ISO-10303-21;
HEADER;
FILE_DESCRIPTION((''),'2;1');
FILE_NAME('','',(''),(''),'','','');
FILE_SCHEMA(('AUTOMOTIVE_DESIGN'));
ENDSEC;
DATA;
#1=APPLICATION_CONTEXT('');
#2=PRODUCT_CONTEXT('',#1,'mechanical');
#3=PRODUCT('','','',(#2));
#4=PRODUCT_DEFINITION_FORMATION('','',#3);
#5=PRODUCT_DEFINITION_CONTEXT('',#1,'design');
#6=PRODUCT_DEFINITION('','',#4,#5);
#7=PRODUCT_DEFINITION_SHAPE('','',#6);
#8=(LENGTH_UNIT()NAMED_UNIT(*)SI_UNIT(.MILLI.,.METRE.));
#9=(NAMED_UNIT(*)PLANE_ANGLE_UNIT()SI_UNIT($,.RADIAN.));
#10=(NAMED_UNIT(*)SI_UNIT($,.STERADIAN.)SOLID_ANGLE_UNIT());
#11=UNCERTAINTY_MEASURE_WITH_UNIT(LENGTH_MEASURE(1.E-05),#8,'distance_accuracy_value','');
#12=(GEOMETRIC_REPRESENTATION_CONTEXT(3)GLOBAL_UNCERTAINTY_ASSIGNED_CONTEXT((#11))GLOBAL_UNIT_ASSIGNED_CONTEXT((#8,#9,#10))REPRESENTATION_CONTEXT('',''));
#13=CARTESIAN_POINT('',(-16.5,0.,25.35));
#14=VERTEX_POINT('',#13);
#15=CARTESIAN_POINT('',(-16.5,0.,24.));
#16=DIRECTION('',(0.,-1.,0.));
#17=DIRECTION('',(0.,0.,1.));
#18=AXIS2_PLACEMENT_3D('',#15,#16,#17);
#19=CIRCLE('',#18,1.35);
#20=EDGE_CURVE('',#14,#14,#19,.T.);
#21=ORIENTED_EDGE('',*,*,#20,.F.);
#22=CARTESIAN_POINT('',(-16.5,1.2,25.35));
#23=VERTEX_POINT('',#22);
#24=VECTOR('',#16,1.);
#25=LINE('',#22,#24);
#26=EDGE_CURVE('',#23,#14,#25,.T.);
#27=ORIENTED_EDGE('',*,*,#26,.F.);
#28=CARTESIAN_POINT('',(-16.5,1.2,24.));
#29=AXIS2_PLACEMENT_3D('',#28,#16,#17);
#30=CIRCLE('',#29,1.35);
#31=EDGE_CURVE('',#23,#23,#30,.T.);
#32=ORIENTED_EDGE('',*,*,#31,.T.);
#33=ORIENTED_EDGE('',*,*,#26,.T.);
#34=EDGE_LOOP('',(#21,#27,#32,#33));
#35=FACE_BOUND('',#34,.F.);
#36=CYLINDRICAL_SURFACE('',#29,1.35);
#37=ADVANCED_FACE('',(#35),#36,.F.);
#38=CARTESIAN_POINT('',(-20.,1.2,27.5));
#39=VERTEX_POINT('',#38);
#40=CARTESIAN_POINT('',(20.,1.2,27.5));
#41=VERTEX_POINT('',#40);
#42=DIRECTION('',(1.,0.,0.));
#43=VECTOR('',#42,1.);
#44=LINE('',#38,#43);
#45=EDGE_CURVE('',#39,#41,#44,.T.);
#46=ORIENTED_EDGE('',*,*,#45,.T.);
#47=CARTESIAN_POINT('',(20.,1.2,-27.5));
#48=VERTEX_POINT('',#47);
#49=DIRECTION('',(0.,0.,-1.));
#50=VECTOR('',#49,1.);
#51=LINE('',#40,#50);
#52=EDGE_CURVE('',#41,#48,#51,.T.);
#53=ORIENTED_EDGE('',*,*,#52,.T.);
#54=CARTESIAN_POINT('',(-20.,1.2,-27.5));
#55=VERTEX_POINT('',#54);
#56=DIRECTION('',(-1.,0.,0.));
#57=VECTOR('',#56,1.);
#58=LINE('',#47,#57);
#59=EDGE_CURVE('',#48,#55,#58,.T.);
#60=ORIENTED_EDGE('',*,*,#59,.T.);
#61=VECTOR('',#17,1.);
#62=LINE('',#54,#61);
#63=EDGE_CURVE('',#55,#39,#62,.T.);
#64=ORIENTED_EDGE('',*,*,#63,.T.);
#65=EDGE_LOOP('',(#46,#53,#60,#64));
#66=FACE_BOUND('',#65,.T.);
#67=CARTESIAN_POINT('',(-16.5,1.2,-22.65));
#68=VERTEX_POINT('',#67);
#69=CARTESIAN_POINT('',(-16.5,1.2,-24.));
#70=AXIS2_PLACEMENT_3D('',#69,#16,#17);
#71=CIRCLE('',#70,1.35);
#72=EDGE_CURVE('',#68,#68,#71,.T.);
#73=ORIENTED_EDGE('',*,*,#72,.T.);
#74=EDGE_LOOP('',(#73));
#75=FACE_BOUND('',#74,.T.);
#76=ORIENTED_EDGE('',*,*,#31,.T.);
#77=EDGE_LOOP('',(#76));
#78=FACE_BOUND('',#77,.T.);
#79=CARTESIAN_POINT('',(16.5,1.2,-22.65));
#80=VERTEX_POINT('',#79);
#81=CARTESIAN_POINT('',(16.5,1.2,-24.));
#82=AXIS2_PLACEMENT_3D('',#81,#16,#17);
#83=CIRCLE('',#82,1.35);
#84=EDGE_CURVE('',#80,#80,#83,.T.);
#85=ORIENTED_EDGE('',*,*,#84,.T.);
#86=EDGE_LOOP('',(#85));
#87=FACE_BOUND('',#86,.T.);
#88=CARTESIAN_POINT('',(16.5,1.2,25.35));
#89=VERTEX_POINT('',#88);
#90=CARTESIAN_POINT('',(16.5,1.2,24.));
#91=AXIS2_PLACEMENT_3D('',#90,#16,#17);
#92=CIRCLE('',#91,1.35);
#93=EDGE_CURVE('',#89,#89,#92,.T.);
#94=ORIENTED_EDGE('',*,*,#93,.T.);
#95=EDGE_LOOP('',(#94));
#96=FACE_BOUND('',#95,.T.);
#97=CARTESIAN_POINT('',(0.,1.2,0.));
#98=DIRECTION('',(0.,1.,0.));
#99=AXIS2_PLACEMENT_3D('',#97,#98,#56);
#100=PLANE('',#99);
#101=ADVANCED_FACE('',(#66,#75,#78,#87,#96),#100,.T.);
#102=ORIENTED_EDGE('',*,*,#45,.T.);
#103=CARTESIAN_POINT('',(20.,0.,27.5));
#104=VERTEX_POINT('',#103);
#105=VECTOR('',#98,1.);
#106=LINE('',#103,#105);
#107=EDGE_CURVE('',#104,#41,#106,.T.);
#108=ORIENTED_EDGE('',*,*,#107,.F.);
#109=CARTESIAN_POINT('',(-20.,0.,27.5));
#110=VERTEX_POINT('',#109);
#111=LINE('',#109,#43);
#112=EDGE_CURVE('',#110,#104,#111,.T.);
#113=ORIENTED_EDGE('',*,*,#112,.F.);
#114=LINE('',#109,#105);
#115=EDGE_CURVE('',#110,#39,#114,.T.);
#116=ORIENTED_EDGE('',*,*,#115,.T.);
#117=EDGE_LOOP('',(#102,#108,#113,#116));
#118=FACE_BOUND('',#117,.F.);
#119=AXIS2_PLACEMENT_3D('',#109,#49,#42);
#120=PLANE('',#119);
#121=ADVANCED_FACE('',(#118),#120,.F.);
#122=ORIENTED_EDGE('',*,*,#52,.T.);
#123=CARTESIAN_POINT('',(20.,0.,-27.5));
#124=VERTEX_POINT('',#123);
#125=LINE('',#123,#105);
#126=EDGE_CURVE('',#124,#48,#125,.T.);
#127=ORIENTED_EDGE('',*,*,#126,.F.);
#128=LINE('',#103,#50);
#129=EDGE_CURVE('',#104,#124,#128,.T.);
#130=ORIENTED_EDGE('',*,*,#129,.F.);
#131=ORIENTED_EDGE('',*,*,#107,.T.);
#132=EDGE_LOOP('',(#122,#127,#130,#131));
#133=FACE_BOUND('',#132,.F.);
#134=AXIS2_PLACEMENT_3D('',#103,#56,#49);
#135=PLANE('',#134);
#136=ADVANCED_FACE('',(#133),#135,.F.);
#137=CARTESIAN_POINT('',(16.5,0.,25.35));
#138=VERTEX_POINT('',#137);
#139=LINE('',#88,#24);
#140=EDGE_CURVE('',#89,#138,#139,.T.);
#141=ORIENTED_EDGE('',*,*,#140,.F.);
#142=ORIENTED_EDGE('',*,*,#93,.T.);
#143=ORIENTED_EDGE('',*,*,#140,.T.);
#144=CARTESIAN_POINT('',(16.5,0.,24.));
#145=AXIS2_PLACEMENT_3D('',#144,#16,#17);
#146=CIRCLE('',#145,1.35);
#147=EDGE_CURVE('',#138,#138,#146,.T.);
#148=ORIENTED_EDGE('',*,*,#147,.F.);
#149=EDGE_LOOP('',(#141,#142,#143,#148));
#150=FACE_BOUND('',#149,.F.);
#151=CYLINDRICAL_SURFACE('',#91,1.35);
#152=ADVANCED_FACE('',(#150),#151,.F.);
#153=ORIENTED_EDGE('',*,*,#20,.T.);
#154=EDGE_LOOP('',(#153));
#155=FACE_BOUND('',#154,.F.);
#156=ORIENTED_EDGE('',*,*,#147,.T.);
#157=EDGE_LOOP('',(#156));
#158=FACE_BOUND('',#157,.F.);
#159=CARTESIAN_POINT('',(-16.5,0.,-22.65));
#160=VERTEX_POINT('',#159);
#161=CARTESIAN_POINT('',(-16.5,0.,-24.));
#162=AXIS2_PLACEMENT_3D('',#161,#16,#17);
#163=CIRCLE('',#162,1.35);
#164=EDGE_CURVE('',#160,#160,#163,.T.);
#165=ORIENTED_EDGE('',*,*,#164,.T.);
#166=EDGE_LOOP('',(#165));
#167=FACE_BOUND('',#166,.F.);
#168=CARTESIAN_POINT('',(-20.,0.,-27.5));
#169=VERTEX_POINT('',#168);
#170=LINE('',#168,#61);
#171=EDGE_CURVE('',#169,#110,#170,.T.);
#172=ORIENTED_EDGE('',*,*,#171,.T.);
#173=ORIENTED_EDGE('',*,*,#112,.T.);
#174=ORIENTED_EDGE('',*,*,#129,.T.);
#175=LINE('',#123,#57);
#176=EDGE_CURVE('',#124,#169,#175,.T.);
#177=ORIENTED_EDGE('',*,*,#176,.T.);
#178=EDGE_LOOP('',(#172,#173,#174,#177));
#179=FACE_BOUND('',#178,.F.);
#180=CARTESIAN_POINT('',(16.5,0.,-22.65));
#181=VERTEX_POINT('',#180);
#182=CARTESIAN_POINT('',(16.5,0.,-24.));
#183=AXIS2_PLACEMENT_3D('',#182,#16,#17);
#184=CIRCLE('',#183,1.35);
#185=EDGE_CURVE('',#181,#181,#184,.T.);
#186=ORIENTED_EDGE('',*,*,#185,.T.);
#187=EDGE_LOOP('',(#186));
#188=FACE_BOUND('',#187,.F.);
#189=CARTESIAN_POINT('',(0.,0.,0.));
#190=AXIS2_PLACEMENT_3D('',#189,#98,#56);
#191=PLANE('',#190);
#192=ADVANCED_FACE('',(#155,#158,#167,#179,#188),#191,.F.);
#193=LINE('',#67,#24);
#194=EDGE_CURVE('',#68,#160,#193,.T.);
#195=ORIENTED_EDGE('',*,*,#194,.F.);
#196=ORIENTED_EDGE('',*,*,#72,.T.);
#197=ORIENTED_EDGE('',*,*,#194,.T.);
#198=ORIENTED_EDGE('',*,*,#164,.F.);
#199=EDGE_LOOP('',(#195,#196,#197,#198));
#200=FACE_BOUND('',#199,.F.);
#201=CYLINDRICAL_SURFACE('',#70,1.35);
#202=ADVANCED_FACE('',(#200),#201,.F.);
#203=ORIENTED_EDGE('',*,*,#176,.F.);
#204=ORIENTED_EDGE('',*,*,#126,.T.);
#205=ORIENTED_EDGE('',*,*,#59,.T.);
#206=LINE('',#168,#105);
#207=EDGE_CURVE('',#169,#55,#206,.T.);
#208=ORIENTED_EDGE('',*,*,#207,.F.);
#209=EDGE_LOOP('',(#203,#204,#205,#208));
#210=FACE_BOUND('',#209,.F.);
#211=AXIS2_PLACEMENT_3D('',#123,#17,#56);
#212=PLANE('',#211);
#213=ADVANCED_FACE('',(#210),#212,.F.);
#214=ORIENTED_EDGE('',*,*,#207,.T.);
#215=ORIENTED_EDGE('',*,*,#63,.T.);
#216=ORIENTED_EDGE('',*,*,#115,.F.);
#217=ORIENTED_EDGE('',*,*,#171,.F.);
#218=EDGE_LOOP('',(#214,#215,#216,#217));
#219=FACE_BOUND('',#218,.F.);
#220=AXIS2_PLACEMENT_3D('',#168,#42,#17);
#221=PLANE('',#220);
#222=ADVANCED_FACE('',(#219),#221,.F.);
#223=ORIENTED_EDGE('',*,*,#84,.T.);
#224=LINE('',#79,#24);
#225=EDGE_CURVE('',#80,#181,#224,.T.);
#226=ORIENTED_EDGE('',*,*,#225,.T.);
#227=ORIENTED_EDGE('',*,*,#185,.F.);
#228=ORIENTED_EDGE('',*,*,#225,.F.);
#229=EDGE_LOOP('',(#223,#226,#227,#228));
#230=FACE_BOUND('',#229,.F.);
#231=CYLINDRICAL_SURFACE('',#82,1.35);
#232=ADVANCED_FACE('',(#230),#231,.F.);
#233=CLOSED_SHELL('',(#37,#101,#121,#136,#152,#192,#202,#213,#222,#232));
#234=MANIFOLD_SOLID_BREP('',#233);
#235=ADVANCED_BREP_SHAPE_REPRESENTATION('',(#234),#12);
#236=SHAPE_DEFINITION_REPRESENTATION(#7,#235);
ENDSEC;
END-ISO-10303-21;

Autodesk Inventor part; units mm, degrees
ref_plane "YZ Plane" through (0, 0, 0) normal (1, 0, 0) x (0, 1, 0)
ref_plane "XZ Plane" through (0, 0, 0) normal (0, 1, 0) x (-1, 0, 0)
ref_plane "XY Plane" through (0, 0, 0) normal (0, 0, 1) x (1, 0, 0)
sketch "Sketch1" plane through (0, 0, 0) normal (0, 1, 0) x (-1, 0, 0)
  line L0 (20, 27.5) -> (-20, 27.5)
  line L1 (-20, 27.5) -> (-20, -27.5)
  line L2 (-20, -27.5) -> (20, -27.5)
  line L3 (20, -27.5) -> (20, 27.5)
  point P0 (0, 0)
  point P1 (20, 0)
  point P2 (0, -27.5)
  dimension "d0" = 55
  dimension "d1" = 40
extrude "Extrusion1" add sketch "Sketch1" along normal blind 1.2
sketch "Sketch2" plane through (0, 1.2, 0) normal (0, 1, 0) x (1, 0, 0)
  line L0 (-20, 27.5) -> (-20, -27.5) projected
  line L1 (20, -27.5) -> (20, 27.5) projected
  line L2 (-20, -27.5) -> (20, -27.5) projected
  line L3 (20, 27.5) -> (-20, 27.5) projected
  point P0 (0, 0)
  point P1 (-16.5, -24)
  point P2 (-16.5, 24)
  point P3 (16.5, -24)
  point P4 (16.5, 24)
  dimension "d4" = 3.5
  dimension "d5" = 3.5
  dimension "d6" = 3.5
  dimension "d7" = 3.5
hole "Hole1" at (-16.5, 1.2, 24) at (-16.5, 1.2, -24) at (16.5, 1.2, 24) at (16.5, 1.2, -24) direction (0, -1, 0) diameter 2.7 end through all clearance for "Flat Head Machine Screw" size "M2.5" standard "Ansi Metric M Profile"
properties part number "rpcomputemodule4"
